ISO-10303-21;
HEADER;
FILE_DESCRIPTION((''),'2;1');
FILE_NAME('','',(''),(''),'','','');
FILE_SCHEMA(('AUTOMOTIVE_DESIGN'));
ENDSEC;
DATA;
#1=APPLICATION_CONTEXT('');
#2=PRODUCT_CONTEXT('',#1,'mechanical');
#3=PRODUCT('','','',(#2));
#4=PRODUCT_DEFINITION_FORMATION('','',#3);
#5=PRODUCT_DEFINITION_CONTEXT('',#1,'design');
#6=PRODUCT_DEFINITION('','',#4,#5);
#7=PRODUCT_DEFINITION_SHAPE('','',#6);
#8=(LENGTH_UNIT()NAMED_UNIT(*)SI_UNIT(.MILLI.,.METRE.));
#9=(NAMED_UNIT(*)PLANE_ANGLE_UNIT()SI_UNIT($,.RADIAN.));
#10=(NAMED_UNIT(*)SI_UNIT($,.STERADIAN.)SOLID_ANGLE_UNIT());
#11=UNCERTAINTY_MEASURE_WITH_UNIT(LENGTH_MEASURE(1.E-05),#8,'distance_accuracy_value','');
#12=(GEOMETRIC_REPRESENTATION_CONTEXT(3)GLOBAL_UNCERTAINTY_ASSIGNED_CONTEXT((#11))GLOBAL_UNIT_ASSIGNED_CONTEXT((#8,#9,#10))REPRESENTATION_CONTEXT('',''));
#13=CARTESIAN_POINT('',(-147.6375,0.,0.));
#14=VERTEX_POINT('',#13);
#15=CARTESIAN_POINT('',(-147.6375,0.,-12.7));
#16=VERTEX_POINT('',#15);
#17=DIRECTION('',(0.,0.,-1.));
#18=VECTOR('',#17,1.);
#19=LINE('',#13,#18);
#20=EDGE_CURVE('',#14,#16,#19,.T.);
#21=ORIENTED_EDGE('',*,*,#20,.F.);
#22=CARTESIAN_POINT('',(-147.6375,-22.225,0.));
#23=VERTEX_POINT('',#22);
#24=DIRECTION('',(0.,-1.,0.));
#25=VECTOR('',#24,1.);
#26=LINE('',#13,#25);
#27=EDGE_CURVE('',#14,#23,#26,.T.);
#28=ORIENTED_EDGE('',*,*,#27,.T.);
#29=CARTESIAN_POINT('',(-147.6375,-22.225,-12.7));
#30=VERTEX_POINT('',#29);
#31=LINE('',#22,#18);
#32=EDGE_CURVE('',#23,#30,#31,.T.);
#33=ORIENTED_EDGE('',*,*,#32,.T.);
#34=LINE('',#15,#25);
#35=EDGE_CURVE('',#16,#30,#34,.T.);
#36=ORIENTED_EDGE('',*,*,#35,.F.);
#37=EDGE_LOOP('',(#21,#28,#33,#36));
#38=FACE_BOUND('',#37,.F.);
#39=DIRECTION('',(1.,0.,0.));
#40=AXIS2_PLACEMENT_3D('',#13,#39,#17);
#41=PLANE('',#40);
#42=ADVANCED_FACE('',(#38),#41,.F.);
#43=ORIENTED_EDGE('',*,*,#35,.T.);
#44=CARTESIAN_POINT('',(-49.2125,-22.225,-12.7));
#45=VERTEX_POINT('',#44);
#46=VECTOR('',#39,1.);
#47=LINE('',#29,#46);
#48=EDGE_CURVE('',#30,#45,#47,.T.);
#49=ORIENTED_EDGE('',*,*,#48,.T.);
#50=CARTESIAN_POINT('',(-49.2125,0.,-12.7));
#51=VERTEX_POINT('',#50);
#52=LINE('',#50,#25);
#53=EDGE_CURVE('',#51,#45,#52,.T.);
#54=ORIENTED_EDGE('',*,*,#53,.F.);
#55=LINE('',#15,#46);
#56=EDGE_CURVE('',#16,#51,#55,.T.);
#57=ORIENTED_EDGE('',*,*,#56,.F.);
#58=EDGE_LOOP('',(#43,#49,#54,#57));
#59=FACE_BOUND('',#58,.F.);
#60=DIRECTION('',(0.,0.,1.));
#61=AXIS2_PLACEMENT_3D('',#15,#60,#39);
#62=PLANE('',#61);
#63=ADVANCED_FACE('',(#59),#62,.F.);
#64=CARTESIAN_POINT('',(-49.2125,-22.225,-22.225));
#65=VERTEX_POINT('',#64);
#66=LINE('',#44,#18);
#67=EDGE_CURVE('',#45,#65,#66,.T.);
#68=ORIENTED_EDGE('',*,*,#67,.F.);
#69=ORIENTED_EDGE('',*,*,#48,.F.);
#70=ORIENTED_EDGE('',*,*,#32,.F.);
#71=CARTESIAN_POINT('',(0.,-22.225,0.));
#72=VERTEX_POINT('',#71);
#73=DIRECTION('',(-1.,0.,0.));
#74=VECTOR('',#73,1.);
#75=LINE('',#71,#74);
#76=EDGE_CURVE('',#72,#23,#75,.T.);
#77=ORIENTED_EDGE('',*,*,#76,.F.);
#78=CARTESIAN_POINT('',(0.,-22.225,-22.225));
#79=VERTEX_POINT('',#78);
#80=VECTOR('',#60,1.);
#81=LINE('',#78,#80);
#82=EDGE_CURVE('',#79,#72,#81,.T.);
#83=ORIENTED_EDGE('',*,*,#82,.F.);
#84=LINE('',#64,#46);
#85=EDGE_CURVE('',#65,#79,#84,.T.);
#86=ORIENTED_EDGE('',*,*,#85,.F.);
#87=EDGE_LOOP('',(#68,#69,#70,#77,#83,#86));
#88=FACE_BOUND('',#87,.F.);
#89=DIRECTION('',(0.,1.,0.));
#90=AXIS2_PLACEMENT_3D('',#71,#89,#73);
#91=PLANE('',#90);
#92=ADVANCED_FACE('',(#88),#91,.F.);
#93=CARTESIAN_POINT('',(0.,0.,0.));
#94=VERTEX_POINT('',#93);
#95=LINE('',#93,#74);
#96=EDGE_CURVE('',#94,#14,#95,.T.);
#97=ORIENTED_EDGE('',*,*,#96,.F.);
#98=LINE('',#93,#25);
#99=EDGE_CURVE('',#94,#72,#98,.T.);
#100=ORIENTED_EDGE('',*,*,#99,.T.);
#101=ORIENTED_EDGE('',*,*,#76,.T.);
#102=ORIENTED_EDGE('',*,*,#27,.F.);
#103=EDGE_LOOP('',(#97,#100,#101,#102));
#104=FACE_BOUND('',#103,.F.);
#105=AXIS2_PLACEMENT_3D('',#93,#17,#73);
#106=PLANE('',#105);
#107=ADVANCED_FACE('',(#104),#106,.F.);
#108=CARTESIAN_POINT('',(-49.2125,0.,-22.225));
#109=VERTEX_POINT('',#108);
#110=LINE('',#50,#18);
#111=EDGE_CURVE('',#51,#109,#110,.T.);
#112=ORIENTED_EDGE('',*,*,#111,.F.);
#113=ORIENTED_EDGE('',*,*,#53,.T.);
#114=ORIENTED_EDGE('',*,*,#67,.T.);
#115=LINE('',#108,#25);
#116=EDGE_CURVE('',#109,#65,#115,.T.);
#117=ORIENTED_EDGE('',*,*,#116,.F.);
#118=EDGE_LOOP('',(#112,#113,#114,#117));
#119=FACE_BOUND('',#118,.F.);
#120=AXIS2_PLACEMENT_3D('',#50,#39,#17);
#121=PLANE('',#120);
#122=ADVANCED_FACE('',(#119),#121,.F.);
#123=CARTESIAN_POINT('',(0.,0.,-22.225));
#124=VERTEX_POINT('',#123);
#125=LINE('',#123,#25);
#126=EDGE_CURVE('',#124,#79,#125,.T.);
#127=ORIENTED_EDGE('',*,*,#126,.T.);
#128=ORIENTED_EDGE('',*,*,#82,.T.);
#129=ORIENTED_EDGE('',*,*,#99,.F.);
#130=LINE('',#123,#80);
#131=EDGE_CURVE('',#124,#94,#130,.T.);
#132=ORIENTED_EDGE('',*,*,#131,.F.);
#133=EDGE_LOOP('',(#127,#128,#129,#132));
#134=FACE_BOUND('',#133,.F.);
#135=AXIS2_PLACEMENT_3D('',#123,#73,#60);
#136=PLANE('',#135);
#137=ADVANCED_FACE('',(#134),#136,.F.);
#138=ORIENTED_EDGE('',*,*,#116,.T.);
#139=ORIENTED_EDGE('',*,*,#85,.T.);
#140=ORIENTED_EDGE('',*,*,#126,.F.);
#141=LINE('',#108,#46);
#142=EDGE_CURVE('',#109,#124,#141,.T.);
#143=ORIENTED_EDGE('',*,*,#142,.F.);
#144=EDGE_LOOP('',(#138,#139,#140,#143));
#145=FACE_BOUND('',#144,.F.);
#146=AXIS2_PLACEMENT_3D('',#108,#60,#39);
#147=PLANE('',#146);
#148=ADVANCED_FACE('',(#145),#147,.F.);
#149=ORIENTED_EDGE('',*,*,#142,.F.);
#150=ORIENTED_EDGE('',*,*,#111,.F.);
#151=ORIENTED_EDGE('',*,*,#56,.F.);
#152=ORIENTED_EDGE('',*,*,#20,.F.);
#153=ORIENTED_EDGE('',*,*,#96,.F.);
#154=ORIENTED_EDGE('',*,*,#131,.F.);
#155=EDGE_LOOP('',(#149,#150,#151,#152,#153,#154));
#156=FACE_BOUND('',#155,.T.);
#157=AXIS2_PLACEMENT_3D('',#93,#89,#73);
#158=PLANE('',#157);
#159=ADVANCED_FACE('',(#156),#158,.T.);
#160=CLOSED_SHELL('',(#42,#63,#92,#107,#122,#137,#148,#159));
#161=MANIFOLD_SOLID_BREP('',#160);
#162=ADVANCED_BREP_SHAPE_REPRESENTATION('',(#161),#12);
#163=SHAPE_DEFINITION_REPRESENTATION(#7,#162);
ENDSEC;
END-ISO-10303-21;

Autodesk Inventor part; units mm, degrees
ref_plane "YZ Plane" through (0, 0, 0) normal (1, 0, 0) x (0, 1, 0)
ref_plane "XZ Plane" through (0, 0, 0) normal (0, 1, 0) x (-1, 0, 0)
ref_plane "XY Plane" through (0, 0, 0) normal (0, 0, 1) x (1, 0, 0)
sketch "Sketch1" plane through (0, 0, 0) normal (0, 1, 0) x (-1, 0, 0)
  line L0 (0, 0) -> (147.6375, 0)
  line L1 (147.6375, 0) -> (147.6375, -12.7)
  line L2 (147.6375, -12.7) -> (49.2125, -12.7)
  line L3 (49.2125, -12.7) -> (49.2125, -22.225)
  line L4 (49.2125, -22.225) -> (0, -22.225)
  line L5 (0, -22.225) -> (0, 0)
  dimension "d3" = 12.7
  dimension "d4" = 147.6375
  dimension "d5" = 22.225
  dimension "d6" = 98.425
extrude "Extrusion1" add sketch "Sketch1" against normal blind 22.225
properties part number "Key--F"
